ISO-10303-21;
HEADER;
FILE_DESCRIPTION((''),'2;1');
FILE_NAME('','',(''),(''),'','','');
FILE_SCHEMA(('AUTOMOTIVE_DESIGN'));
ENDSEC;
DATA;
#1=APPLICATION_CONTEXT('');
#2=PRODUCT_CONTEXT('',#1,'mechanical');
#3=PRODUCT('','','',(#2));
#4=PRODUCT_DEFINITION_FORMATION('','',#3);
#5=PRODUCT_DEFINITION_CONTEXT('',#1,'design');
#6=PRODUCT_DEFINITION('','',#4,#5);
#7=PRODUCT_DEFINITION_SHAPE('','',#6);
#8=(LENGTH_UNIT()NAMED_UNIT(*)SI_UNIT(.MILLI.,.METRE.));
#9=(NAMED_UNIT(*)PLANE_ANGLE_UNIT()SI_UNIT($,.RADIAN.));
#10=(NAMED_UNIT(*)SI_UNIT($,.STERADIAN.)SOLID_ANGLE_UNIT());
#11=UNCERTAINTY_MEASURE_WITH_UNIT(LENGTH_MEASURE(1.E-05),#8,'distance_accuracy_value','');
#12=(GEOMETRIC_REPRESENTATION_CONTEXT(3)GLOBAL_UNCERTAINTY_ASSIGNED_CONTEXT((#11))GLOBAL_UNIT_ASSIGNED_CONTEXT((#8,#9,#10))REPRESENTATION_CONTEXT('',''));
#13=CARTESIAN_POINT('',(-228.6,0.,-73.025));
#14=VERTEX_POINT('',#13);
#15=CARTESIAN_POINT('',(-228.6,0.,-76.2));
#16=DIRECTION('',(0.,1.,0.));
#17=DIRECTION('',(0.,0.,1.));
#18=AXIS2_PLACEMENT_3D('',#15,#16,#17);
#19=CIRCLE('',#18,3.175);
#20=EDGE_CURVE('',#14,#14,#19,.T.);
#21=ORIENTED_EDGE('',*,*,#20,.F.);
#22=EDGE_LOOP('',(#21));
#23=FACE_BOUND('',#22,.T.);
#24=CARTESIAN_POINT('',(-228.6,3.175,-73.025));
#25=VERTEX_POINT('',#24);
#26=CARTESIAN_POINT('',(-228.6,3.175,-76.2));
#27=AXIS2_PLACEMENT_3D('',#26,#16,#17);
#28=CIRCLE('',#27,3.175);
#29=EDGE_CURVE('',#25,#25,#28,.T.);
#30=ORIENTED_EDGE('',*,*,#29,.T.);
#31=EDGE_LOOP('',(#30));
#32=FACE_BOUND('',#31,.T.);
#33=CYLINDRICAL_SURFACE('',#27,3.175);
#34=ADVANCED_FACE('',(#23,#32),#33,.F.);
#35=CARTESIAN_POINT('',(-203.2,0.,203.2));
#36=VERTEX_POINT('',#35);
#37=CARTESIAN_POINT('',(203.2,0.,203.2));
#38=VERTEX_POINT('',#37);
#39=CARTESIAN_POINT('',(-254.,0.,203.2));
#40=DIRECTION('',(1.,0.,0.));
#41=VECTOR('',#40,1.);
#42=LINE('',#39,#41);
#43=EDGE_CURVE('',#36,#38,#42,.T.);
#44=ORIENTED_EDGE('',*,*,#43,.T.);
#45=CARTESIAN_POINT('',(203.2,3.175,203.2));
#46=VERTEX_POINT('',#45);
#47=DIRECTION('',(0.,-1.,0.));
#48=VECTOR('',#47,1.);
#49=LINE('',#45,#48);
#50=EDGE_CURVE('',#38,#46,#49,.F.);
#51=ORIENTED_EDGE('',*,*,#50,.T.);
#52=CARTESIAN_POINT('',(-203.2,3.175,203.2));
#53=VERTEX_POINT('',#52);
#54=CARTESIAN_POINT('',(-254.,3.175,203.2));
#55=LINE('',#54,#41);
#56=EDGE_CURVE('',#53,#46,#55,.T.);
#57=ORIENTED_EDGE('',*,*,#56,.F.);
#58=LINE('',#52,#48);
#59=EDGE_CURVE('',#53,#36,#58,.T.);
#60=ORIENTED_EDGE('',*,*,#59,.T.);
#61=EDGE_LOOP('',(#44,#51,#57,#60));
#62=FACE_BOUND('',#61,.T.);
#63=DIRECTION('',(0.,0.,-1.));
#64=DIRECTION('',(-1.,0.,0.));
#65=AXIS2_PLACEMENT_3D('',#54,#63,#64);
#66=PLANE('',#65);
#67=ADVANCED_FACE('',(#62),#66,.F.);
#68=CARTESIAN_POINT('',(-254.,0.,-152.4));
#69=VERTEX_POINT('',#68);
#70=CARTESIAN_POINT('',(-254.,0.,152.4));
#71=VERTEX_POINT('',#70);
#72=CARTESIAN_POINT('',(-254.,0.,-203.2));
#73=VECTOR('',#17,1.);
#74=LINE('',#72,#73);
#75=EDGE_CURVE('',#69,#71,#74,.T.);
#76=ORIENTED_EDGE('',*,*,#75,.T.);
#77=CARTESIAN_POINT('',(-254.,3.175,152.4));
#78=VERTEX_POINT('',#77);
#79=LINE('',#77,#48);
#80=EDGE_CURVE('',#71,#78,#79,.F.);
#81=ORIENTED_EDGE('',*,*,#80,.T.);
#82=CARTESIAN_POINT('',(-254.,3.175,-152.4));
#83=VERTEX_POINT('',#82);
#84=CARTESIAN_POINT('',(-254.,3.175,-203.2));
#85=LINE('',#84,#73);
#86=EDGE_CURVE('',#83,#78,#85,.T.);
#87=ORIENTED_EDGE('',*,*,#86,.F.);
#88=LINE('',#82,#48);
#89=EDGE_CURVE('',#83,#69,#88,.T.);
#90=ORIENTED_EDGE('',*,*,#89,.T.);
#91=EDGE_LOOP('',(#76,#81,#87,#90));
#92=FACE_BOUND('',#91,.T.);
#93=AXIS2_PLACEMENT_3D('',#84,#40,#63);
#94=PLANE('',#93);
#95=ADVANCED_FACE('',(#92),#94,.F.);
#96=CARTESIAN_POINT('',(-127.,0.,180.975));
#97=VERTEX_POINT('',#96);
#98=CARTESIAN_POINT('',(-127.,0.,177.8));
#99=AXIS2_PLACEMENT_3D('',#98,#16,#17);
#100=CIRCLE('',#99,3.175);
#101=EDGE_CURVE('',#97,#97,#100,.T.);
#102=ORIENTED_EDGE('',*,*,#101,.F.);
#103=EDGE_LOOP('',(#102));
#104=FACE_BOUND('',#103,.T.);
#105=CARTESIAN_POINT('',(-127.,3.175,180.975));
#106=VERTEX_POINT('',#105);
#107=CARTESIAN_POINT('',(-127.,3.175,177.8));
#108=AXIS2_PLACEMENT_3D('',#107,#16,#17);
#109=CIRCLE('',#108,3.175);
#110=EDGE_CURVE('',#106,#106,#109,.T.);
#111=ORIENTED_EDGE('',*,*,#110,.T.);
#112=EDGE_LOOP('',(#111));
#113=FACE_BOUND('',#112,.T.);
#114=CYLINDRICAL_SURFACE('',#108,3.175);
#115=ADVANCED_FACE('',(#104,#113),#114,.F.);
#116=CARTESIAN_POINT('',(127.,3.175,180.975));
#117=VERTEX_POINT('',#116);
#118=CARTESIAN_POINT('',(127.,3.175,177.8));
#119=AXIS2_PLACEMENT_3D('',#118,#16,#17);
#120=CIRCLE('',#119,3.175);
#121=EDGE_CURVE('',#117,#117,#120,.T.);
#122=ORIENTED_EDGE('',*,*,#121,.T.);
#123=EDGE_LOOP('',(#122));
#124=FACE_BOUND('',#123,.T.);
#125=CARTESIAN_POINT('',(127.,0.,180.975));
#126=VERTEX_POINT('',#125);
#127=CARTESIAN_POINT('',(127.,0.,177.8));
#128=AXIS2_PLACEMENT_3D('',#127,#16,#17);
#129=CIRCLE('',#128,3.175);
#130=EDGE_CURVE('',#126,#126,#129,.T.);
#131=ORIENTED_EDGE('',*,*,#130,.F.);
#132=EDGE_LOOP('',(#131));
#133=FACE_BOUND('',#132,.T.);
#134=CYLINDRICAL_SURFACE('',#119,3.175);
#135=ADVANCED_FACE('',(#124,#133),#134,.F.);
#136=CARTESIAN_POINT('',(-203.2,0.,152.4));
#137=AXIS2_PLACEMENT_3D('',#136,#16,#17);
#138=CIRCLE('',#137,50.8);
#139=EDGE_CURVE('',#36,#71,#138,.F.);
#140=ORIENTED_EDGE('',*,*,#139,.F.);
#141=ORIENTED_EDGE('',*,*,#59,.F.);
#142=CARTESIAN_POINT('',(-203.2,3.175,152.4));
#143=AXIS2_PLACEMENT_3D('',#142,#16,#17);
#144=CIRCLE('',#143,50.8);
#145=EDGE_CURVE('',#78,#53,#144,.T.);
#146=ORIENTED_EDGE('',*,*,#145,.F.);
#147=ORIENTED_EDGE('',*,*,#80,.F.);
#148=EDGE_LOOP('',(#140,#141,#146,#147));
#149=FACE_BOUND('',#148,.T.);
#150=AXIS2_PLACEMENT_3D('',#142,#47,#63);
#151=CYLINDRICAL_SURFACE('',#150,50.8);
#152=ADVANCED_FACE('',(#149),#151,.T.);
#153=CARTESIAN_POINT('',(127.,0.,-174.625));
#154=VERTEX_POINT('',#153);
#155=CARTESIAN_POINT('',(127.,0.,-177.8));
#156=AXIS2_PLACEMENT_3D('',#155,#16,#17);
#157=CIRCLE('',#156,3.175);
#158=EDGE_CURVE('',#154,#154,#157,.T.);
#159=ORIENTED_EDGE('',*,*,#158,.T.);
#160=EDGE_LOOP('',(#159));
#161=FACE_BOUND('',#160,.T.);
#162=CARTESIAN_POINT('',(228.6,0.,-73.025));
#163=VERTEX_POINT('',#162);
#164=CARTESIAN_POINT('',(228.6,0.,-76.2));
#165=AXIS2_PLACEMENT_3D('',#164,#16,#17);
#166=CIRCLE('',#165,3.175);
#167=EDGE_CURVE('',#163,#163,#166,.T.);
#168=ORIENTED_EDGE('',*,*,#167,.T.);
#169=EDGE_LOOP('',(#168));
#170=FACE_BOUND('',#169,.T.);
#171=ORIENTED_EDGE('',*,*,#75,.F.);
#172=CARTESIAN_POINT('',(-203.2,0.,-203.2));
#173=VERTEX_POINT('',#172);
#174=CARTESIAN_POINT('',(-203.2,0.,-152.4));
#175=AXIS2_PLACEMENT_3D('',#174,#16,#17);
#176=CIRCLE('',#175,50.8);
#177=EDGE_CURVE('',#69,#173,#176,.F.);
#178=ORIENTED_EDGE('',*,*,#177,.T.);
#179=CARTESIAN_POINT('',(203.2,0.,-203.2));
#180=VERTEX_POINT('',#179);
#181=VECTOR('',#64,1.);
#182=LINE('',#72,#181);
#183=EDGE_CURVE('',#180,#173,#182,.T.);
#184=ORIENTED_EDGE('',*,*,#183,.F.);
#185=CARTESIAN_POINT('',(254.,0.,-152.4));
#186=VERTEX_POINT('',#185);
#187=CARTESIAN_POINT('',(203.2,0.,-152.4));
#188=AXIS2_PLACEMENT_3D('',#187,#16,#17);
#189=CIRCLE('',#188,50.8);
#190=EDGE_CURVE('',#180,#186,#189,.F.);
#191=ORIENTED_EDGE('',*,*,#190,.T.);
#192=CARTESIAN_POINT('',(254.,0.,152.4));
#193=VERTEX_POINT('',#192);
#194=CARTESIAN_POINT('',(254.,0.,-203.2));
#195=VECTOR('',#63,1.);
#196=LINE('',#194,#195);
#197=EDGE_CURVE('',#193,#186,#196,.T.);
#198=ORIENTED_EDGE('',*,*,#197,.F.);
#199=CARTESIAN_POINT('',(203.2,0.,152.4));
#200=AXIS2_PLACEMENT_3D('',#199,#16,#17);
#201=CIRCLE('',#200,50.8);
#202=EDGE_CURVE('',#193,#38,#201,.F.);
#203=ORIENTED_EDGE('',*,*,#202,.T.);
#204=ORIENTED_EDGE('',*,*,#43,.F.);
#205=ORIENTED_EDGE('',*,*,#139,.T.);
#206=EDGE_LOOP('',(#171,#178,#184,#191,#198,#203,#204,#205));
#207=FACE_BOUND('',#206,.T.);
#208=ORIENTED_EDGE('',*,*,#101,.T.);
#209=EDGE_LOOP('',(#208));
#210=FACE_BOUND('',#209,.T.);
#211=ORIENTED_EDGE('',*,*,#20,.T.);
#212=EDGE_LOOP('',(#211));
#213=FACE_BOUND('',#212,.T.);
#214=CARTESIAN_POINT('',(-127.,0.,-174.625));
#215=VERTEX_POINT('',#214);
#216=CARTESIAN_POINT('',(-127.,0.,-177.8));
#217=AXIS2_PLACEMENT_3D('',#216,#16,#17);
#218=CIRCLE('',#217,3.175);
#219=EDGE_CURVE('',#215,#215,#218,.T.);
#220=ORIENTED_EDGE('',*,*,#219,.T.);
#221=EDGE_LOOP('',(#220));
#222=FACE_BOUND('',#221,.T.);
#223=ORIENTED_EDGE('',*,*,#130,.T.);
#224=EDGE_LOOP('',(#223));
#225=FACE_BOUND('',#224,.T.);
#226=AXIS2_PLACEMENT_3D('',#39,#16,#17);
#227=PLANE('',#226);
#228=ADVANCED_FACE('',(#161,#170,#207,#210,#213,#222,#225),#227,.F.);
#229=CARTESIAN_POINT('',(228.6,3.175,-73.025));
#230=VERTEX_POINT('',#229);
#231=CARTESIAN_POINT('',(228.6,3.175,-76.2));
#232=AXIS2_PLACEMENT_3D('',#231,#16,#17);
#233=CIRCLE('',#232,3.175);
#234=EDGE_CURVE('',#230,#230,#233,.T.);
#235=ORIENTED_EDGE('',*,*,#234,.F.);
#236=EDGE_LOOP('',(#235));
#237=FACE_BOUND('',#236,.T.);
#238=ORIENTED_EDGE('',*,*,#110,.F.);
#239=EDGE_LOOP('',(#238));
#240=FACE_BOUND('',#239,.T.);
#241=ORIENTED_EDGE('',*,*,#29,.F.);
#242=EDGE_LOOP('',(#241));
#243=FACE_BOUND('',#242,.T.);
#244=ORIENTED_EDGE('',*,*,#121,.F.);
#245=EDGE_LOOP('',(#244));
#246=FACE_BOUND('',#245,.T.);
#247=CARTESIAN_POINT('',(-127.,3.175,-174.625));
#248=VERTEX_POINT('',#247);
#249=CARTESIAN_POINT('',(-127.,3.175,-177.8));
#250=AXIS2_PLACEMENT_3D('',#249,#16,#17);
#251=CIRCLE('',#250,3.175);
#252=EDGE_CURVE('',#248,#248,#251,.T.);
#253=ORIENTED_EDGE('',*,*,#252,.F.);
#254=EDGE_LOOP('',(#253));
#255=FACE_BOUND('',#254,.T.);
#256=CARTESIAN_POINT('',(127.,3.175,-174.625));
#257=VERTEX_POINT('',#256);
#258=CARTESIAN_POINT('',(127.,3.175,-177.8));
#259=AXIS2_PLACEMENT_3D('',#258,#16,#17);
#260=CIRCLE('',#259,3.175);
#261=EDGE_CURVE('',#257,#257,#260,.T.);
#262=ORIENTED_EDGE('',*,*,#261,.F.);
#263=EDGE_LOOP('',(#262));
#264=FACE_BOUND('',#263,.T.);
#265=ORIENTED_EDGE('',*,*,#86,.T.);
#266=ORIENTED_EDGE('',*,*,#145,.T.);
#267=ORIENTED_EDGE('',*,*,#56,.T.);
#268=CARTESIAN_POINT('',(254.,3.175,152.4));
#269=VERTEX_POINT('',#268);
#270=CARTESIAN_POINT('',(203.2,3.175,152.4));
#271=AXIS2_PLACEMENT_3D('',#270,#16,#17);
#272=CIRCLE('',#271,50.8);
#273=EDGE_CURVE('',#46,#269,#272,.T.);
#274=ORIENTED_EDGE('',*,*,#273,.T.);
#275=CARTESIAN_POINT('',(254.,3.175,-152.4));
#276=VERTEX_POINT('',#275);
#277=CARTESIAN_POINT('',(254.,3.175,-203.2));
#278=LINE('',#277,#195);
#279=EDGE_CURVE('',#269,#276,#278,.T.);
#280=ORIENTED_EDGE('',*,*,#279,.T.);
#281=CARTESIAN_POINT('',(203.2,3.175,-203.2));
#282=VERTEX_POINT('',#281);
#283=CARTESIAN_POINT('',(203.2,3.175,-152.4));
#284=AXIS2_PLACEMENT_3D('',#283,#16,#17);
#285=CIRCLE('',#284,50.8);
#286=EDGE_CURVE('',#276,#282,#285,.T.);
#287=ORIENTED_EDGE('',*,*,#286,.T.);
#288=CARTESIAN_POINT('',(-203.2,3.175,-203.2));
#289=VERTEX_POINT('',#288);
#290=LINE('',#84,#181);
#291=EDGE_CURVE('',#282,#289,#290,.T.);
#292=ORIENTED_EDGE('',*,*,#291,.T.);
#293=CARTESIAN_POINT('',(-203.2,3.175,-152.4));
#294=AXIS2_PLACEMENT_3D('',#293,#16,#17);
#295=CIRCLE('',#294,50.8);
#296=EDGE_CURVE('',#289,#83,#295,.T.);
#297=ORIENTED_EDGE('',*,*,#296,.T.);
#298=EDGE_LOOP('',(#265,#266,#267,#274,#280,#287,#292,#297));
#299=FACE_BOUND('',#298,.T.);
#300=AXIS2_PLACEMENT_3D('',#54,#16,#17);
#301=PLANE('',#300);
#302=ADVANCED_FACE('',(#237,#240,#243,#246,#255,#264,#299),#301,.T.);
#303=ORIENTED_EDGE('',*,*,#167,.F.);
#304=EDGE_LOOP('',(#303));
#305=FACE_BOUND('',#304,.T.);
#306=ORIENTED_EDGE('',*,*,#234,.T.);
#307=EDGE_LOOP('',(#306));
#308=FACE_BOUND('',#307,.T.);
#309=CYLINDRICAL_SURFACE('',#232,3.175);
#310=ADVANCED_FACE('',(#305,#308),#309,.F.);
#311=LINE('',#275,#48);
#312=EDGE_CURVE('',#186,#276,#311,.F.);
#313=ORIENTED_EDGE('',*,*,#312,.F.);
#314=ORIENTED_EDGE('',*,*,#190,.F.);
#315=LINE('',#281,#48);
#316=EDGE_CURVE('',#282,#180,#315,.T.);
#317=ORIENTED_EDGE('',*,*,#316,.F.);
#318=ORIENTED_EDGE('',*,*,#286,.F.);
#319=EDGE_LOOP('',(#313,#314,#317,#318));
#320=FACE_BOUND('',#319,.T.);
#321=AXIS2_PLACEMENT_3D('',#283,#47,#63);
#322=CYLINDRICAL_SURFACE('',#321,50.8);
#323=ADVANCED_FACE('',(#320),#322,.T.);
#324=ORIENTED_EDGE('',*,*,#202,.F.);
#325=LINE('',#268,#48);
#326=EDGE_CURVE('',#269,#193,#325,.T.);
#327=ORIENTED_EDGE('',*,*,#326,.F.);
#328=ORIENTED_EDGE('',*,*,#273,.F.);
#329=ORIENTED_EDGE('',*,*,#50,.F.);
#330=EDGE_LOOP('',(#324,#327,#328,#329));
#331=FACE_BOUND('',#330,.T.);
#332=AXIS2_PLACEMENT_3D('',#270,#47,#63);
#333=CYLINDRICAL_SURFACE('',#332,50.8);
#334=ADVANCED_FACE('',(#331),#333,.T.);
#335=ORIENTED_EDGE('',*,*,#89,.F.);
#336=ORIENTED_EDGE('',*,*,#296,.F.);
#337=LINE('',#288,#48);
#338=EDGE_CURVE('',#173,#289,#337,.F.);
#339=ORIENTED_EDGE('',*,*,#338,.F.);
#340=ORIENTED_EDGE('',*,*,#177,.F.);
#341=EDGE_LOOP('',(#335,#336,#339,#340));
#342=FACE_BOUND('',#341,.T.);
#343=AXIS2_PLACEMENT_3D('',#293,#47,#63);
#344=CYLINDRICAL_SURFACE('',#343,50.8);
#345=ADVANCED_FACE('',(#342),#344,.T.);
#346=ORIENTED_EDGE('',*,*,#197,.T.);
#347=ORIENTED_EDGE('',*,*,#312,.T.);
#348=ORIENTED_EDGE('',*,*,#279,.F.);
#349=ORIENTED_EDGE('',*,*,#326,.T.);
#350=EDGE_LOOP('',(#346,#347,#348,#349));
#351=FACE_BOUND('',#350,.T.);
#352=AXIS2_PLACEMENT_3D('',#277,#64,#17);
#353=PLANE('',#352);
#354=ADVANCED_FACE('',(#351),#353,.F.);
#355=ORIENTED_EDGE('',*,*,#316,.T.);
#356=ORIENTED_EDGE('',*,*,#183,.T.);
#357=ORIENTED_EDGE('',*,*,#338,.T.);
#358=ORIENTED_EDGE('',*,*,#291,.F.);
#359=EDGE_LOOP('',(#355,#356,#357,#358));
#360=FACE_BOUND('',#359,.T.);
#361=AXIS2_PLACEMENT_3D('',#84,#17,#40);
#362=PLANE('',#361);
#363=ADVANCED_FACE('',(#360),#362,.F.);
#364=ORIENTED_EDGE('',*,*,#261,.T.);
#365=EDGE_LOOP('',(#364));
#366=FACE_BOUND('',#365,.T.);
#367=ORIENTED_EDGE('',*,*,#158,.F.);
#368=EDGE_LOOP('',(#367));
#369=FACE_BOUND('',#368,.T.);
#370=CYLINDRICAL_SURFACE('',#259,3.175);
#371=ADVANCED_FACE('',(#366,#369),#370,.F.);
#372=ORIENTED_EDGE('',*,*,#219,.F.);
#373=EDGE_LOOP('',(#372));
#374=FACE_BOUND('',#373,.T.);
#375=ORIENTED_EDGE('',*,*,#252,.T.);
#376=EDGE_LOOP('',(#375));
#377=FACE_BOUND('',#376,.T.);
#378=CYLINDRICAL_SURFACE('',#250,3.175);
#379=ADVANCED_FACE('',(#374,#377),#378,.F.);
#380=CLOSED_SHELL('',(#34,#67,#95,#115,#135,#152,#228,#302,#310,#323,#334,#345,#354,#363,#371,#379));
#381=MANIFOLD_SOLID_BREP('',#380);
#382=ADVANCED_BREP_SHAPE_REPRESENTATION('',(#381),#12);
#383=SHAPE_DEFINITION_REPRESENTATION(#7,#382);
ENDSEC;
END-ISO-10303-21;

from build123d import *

# Parameters (mm, degrees)
SKETCH1_W                       = 508
SKETCH1_H                       = 406.4
BOSS_EXTRUDE1_DEPTH             = 3.175
FILLET1_R                       = 50.8
F_1_4_0_25_DIAMETER_HOLE1_D     = 6.35
F_1_4_0_25_DIAMETER_HOLE1_DEPTH = 25.4
F_1_4_0_25_DIAMETER_HOLE1_TIP   = 1.907732465


with BuildPart() as part:
    # Sketch1 → Boss-Extrude1 (new body)
    with BuildSketch(Plane(origin=(0, 0, 0), x_dir=(1, 0, 0), z_dir=(0, 1, 0))):
        Rectangle(SKETCH1_W, SKETCH1_H)
    extrude(amount=BOSS_EXTRUDE1_DEPTH)

    # Fillet1
    fillet1_edges = [part.edges().sort_by_distance(p)[0] for p in [
        (-254, 1.5875, -203.2),
        (254, 1.5875, -203.2),
        (254, 1.5875, 203.2),
        (-254, 1.5875, 203.2),
    ]]
    fillet(fillet1_edges, radius=FILLET1_R)

    # 1/4 (0.25) Diameter Hole1
    with Locations(Plane(origin=(0, 3.175, 0), x_dir=(-1, 0, 0), z_dir=(0, 1, 0))):
        with Locations((228.6, -76.2), (127, -177.8), (-127, -177.8), (-228.6, -76.2), (-127, 177.8), (127, 177.8)):
            Hole(F_1_4_0_25_DIAMETER_HOLE1_D / 2, depth=F_1_4_0_25_DIAMETER_HOLE1_DEPTH)
            with Locations((0, 0, -(F_1_4_0_25_DIAMETER_HOLE1_DEPTH + F_1_4_0_25_DIAMETER_HOLE1_TIP / 2))):  # 118° drill point
                Cone(0, F_1_4_0_25_DIAMETER_HOLE1_D / 2, F_1_4_0_25_DIAMETER_HOLE1_TIP, mode=Mode.SUBTRACT)


solid = part.part
